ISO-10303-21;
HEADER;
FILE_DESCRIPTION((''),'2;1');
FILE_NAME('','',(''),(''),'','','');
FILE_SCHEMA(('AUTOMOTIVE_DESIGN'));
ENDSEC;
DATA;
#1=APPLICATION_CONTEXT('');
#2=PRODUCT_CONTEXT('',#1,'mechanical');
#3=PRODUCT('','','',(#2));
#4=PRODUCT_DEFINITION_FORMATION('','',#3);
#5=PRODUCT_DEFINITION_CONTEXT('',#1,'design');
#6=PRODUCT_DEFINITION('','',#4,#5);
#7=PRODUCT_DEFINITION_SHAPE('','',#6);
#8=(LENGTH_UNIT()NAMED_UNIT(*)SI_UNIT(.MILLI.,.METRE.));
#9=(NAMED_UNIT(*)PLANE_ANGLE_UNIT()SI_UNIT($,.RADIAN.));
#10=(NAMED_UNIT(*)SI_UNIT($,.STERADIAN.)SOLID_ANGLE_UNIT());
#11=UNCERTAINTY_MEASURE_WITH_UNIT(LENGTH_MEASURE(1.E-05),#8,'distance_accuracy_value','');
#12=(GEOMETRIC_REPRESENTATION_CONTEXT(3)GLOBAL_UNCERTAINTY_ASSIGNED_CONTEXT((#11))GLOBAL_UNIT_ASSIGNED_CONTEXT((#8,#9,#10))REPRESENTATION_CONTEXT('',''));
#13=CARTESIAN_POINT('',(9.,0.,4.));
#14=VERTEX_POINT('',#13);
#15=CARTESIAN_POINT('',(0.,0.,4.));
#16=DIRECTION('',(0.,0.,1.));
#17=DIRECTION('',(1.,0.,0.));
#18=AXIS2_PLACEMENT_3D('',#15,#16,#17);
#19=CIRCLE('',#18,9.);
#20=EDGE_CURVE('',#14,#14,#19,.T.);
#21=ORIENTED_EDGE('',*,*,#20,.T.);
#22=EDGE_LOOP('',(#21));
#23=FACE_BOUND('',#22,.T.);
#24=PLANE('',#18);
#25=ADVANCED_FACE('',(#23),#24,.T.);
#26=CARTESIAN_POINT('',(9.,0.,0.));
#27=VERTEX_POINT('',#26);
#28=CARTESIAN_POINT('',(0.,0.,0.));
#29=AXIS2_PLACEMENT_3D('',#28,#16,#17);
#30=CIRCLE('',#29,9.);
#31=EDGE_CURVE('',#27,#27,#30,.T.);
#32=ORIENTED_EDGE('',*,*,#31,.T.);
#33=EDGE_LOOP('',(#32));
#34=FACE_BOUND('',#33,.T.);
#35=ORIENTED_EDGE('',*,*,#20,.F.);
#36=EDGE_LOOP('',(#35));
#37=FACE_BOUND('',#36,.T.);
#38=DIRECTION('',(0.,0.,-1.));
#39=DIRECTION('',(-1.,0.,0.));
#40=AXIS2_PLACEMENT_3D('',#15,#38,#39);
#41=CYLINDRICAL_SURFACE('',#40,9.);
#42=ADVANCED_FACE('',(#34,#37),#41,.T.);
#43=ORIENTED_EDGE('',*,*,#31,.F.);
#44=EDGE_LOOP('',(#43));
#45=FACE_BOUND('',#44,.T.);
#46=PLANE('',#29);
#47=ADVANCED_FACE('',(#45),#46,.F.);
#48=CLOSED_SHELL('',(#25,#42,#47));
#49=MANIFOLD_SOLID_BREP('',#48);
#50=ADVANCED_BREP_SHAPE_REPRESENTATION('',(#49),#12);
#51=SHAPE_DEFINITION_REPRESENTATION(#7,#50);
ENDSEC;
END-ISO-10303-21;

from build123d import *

# Parameters (mm, degrees)
SKETCH_1_R                     = 9
HEAD_AND_WASHER_ENVELOPE_DEPTH = 4


with BuildPart() as part:
    # 草图1 → Head_and_washer_envelope (new body)
    with BuildSketch(Plane.XY):
        Circle(SKETCH_1_R)
    extrude(amount=HEAD_AND_WASHER_ENVELOPE_DEPTH)


solid = part.part
